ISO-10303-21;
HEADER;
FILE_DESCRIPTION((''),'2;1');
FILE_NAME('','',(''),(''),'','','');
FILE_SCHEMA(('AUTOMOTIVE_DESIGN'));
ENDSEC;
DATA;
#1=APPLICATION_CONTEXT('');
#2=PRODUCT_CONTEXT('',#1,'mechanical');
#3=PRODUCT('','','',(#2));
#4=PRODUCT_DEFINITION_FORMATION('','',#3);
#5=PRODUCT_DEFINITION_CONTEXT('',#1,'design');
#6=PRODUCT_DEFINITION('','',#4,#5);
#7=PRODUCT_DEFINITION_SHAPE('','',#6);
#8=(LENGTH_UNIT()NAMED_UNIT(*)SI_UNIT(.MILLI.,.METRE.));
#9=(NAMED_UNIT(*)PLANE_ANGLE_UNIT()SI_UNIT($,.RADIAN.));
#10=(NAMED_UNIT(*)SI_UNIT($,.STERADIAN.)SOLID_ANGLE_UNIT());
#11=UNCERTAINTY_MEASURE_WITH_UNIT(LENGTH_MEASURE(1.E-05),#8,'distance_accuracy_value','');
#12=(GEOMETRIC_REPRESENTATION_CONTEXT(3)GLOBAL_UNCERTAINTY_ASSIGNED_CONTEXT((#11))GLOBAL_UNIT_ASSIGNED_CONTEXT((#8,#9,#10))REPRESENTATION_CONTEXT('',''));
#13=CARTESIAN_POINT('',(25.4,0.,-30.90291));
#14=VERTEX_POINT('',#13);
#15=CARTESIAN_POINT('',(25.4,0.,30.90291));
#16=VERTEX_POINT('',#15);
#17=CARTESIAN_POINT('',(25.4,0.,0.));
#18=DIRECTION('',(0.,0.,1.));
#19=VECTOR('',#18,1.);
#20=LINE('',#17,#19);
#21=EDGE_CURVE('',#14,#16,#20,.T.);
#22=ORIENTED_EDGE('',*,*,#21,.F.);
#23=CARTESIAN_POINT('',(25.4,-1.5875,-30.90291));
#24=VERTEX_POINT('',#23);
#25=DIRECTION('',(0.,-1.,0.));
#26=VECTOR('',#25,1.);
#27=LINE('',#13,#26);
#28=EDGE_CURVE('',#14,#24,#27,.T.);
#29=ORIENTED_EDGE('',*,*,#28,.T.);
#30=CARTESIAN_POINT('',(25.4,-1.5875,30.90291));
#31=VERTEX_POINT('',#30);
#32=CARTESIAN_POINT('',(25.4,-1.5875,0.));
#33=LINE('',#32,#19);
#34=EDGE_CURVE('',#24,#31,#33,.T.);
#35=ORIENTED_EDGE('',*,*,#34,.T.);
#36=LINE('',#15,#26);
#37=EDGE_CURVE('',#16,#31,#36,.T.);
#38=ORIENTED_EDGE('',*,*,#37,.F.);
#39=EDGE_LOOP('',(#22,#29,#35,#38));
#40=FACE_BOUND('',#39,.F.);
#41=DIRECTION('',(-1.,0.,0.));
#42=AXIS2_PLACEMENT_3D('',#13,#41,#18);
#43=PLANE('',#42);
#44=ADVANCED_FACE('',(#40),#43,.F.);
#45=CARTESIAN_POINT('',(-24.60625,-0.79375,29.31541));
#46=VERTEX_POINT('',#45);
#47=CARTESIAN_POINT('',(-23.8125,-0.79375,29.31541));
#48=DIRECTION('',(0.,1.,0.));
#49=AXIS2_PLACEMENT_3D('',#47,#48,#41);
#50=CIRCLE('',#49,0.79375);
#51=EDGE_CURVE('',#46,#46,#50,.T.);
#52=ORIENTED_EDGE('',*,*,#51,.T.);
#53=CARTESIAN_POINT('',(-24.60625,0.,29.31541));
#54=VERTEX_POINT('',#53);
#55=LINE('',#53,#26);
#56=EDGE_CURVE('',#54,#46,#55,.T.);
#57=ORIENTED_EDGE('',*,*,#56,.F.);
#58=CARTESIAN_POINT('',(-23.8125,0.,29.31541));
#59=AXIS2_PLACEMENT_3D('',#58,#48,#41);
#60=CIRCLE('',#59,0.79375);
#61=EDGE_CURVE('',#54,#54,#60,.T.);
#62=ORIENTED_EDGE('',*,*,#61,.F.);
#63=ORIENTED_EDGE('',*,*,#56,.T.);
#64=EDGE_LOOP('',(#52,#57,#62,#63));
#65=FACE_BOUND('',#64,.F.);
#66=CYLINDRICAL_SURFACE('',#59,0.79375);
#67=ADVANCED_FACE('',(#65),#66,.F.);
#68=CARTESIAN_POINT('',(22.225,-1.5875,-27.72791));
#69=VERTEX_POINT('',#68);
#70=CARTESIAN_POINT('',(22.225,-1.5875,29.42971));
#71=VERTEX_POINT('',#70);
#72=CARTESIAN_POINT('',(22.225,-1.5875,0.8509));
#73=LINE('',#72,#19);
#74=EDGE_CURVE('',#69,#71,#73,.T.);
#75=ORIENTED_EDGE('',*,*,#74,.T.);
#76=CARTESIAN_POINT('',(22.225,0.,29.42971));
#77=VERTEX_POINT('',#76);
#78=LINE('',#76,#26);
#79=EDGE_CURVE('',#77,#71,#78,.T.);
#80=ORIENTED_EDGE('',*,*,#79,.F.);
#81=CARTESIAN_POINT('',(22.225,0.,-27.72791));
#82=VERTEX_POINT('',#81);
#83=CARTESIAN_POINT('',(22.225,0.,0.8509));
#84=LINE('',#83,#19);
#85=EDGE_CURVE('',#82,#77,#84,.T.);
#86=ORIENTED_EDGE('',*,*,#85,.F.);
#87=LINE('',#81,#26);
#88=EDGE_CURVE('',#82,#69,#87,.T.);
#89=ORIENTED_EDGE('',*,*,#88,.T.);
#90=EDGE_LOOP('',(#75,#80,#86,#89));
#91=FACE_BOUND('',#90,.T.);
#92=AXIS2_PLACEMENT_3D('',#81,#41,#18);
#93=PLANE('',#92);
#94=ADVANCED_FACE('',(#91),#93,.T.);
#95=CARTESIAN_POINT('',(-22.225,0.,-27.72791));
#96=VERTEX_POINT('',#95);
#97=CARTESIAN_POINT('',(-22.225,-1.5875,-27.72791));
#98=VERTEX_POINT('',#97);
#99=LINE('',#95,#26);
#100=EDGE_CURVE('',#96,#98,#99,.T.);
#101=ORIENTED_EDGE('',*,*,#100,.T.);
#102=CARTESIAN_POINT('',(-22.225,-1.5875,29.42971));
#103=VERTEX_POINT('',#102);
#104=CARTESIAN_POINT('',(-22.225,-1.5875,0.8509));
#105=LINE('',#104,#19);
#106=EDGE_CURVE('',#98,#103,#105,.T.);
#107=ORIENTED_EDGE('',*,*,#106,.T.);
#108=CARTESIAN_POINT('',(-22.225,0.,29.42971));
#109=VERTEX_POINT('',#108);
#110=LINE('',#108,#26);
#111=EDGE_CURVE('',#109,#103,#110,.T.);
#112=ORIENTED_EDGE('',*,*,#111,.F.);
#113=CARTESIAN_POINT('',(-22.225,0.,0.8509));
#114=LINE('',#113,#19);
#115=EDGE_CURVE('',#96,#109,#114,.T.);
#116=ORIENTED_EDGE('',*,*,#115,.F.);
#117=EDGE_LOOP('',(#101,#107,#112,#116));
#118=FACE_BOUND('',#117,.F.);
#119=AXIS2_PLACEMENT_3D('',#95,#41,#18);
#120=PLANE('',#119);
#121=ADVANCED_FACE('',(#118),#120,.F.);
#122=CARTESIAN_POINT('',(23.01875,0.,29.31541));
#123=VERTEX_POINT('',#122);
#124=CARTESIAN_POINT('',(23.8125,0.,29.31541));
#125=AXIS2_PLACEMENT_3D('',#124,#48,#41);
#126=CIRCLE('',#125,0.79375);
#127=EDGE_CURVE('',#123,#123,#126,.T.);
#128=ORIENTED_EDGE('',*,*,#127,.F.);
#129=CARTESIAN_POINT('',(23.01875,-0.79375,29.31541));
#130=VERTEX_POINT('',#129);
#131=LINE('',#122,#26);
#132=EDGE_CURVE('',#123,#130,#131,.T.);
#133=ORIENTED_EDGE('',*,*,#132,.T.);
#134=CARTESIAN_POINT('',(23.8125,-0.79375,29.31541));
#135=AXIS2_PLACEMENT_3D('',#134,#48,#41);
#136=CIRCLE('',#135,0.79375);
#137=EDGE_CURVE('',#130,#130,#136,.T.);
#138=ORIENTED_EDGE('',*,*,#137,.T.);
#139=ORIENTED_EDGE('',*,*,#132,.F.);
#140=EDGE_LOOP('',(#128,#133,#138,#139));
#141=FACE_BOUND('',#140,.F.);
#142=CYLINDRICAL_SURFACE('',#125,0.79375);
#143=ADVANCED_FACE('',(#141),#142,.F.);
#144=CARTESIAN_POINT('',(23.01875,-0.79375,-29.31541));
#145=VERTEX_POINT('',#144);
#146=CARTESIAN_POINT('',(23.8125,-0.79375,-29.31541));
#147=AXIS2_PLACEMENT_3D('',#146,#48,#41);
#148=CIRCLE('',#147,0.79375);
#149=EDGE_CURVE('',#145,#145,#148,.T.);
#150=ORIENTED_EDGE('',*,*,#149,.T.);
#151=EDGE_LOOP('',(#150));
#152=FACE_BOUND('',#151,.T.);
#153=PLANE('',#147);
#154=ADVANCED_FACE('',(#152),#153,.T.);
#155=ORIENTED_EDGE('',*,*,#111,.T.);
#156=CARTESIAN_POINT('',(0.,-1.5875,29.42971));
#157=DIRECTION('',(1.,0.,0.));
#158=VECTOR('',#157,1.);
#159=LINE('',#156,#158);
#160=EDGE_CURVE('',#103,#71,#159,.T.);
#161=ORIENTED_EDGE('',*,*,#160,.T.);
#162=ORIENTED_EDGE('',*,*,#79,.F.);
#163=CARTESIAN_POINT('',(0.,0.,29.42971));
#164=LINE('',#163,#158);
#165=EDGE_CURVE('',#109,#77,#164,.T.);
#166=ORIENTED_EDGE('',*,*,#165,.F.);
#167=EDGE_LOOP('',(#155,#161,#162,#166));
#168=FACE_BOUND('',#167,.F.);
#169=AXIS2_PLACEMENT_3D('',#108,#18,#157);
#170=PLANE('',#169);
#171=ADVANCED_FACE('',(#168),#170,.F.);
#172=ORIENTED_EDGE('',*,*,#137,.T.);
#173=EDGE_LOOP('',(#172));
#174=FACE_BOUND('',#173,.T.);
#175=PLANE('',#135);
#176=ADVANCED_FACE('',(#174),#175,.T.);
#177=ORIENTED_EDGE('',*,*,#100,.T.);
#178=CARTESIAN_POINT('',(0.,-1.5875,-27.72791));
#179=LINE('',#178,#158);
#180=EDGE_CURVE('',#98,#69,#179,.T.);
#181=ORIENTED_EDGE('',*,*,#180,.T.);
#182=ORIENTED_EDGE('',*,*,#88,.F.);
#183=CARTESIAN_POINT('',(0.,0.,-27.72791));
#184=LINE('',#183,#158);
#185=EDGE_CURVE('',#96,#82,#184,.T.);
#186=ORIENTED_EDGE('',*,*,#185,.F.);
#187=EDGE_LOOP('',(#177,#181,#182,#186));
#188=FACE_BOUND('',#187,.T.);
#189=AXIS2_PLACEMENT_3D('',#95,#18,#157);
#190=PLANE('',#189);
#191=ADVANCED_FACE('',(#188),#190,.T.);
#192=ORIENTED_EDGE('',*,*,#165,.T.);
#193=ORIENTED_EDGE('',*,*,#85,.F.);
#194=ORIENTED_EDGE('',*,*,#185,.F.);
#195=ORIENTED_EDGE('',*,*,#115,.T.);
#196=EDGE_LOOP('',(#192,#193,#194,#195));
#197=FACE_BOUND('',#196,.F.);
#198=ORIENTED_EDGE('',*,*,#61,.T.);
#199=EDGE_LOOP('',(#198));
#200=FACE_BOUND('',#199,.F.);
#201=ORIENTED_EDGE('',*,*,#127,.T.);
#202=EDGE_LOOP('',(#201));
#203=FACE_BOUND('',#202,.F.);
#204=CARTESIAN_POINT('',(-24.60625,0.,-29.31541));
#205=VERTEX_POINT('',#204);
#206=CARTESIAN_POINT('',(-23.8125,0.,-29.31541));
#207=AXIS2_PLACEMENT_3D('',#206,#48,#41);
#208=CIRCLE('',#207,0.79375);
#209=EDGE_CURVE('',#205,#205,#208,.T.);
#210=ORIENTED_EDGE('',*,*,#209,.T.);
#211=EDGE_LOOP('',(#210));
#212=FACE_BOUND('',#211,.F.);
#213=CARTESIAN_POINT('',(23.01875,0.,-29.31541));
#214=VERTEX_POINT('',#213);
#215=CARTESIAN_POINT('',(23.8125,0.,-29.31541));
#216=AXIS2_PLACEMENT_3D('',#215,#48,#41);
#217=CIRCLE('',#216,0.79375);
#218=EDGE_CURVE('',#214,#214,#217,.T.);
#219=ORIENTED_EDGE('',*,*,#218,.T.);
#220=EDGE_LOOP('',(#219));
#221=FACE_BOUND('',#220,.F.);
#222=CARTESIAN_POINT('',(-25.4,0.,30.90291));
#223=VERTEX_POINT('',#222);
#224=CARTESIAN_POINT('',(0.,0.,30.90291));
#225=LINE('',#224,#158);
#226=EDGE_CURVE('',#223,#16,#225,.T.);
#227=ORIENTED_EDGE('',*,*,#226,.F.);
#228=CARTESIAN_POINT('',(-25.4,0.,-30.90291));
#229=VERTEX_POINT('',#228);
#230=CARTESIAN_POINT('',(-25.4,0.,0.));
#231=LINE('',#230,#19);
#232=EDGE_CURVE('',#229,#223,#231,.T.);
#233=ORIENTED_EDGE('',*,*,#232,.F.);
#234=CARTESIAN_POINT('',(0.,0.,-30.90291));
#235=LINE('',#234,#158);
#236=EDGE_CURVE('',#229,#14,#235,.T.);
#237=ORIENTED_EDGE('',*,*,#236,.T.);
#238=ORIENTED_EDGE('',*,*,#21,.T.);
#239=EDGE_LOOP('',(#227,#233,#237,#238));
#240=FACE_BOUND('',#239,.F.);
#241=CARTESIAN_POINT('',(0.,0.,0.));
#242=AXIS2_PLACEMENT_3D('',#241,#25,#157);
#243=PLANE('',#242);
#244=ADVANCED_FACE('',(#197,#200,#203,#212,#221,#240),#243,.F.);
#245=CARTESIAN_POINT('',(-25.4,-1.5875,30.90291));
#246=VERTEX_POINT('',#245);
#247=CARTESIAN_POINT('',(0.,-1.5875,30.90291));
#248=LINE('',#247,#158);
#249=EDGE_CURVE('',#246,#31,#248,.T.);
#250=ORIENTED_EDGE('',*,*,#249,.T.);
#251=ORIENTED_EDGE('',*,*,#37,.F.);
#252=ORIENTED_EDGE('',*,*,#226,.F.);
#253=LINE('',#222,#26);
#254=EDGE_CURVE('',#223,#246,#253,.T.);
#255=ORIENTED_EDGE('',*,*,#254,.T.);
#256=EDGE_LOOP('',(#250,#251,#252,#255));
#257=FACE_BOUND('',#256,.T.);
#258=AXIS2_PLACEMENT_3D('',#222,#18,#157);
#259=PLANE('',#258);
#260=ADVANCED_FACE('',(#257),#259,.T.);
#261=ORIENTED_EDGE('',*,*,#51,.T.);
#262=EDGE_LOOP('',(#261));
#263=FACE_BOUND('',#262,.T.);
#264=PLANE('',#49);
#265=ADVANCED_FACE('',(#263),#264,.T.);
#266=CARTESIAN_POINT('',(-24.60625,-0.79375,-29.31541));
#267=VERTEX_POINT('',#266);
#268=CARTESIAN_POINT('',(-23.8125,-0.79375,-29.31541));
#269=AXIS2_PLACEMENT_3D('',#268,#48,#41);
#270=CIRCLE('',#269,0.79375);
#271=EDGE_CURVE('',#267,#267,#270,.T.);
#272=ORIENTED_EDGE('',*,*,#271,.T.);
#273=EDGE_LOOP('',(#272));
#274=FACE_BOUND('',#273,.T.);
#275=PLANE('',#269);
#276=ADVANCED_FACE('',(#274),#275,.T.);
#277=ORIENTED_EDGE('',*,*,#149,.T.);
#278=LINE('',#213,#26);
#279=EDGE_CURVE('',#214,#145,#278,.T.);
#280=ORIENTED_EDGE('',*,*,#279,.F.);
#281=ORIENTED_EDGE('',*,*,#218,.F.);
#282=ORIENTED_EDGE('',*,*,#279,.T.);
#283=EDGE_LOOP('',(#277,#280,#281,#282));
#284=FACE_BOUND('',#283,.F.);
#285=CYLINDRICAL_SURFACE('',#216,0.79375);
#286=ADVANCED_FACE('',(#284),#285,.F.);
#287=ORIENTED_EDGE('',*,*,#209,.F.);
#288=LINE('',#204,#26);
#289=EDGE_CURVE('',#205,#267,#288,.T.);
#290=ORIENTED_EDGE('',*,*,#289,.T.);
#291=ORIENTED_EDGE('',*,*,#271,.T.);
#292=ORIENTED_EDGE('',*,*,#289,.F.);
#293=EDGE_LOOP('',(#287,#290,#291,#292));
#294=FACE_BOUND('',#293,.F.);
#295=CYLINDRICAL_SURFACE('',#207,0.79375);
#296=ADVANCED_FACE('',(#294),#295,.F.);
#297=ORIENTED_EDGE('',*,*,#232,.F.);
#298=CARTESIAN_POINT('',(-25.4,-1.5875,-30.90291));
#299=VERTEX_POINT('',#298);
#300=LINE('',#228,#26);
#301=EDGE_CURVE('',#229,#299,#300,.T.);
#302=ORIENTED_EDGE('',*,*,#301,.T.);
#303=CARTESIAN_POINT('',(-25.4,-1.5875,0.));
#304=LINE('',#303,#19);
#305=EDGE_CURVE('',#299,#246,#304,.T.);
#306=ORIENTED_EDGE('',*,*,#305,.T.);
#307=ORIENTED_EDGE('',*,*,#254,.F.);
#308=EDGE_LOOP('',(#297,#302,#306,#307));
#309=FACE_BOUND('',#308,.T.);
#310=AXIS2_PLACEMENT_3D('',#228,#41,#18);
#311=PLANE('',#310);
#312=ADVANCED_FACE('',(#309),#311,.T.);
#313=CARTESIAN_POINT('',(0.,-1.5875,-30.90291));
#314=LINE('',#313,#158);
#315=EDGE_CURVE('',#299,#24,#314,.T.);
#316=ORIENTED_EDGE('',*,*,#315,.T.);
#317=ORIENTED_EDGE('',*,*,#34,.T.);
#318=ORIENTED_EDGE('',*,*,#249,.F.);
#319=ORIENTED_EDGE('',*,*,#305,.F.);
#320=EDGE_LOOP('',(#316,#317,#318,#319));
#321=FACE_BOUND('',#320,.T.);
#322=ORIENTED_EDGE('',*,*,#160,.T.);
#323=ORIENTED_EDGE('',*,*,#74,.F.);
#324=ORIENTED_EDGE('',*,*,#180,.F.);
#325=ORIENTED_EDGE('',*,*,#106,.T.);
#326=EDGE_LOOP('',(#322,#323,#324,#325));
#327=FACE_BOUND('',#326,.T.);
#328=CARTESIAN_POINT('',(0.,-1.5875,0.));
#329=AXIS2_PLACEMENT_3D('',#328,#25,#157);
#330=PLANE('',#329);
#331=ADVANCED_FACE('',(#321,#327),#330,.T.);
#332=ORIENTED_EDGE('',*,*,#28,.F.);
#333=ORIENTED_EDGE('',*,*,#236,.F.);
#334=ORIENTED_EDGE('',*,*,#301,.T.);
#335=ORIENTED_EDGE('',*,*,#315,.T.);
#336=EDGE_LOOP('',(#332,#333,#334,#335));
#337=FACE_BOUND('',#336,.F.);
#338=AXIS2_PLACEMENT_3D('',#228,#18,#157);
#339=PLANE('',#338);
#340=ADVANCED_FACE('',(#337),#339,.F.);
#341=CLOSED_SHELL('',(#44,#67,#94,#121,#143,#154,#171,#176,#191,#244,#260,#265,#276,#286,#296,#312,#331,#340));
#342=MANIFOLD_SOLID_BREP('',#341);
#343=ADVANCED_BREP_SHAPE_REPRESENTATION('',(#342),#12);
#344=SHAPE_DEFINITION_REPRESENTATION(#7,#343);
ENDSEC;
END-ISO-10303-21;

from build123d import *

# Parameters (mm, degrees)
F0_W     = 50.8
F0_H     = 61.80582
F0_W_2   = 44.45
F0_H_2   = 57.15762
F1_DEPTH = 1.5875
F2_R     = 0.79375
F3_DEPTH = 0.79375


with BuildPart() as f1:
    # F0 (on Front) → F1 (new body)
    with BuildSketch(Plane.XZ):
        Rectangle(F0_W, F0_H)
        with Locations((0, 0.8509)):
            Rectangle(F0_W_2, F0_H_2, mode=Mode.SUBTRACT)
    extrude(amount=F1_DEPTH)

    # F2 (on face) → F3 (cut)
    with BuildSketch(Plane(origin=(0, 0, 0), x_dir=(-1, 0, 0), z_dir=(0, 1, 0))):
        with Locations((-23.8125, 29.31541)):
            Circle(F2_R)
        with Locations((-23.8125, -29.31541)):
            Circle(F2_R)
        with Locations((23.8125, -29.31541)):
            Circle(F2_R)
        with Locations((23.8125, 29.31541)):
            Circle(F2_R)
    extrude(amount=-F3_DEPTH, mode=Mode.SUBTRACT)


solid = f1.part
